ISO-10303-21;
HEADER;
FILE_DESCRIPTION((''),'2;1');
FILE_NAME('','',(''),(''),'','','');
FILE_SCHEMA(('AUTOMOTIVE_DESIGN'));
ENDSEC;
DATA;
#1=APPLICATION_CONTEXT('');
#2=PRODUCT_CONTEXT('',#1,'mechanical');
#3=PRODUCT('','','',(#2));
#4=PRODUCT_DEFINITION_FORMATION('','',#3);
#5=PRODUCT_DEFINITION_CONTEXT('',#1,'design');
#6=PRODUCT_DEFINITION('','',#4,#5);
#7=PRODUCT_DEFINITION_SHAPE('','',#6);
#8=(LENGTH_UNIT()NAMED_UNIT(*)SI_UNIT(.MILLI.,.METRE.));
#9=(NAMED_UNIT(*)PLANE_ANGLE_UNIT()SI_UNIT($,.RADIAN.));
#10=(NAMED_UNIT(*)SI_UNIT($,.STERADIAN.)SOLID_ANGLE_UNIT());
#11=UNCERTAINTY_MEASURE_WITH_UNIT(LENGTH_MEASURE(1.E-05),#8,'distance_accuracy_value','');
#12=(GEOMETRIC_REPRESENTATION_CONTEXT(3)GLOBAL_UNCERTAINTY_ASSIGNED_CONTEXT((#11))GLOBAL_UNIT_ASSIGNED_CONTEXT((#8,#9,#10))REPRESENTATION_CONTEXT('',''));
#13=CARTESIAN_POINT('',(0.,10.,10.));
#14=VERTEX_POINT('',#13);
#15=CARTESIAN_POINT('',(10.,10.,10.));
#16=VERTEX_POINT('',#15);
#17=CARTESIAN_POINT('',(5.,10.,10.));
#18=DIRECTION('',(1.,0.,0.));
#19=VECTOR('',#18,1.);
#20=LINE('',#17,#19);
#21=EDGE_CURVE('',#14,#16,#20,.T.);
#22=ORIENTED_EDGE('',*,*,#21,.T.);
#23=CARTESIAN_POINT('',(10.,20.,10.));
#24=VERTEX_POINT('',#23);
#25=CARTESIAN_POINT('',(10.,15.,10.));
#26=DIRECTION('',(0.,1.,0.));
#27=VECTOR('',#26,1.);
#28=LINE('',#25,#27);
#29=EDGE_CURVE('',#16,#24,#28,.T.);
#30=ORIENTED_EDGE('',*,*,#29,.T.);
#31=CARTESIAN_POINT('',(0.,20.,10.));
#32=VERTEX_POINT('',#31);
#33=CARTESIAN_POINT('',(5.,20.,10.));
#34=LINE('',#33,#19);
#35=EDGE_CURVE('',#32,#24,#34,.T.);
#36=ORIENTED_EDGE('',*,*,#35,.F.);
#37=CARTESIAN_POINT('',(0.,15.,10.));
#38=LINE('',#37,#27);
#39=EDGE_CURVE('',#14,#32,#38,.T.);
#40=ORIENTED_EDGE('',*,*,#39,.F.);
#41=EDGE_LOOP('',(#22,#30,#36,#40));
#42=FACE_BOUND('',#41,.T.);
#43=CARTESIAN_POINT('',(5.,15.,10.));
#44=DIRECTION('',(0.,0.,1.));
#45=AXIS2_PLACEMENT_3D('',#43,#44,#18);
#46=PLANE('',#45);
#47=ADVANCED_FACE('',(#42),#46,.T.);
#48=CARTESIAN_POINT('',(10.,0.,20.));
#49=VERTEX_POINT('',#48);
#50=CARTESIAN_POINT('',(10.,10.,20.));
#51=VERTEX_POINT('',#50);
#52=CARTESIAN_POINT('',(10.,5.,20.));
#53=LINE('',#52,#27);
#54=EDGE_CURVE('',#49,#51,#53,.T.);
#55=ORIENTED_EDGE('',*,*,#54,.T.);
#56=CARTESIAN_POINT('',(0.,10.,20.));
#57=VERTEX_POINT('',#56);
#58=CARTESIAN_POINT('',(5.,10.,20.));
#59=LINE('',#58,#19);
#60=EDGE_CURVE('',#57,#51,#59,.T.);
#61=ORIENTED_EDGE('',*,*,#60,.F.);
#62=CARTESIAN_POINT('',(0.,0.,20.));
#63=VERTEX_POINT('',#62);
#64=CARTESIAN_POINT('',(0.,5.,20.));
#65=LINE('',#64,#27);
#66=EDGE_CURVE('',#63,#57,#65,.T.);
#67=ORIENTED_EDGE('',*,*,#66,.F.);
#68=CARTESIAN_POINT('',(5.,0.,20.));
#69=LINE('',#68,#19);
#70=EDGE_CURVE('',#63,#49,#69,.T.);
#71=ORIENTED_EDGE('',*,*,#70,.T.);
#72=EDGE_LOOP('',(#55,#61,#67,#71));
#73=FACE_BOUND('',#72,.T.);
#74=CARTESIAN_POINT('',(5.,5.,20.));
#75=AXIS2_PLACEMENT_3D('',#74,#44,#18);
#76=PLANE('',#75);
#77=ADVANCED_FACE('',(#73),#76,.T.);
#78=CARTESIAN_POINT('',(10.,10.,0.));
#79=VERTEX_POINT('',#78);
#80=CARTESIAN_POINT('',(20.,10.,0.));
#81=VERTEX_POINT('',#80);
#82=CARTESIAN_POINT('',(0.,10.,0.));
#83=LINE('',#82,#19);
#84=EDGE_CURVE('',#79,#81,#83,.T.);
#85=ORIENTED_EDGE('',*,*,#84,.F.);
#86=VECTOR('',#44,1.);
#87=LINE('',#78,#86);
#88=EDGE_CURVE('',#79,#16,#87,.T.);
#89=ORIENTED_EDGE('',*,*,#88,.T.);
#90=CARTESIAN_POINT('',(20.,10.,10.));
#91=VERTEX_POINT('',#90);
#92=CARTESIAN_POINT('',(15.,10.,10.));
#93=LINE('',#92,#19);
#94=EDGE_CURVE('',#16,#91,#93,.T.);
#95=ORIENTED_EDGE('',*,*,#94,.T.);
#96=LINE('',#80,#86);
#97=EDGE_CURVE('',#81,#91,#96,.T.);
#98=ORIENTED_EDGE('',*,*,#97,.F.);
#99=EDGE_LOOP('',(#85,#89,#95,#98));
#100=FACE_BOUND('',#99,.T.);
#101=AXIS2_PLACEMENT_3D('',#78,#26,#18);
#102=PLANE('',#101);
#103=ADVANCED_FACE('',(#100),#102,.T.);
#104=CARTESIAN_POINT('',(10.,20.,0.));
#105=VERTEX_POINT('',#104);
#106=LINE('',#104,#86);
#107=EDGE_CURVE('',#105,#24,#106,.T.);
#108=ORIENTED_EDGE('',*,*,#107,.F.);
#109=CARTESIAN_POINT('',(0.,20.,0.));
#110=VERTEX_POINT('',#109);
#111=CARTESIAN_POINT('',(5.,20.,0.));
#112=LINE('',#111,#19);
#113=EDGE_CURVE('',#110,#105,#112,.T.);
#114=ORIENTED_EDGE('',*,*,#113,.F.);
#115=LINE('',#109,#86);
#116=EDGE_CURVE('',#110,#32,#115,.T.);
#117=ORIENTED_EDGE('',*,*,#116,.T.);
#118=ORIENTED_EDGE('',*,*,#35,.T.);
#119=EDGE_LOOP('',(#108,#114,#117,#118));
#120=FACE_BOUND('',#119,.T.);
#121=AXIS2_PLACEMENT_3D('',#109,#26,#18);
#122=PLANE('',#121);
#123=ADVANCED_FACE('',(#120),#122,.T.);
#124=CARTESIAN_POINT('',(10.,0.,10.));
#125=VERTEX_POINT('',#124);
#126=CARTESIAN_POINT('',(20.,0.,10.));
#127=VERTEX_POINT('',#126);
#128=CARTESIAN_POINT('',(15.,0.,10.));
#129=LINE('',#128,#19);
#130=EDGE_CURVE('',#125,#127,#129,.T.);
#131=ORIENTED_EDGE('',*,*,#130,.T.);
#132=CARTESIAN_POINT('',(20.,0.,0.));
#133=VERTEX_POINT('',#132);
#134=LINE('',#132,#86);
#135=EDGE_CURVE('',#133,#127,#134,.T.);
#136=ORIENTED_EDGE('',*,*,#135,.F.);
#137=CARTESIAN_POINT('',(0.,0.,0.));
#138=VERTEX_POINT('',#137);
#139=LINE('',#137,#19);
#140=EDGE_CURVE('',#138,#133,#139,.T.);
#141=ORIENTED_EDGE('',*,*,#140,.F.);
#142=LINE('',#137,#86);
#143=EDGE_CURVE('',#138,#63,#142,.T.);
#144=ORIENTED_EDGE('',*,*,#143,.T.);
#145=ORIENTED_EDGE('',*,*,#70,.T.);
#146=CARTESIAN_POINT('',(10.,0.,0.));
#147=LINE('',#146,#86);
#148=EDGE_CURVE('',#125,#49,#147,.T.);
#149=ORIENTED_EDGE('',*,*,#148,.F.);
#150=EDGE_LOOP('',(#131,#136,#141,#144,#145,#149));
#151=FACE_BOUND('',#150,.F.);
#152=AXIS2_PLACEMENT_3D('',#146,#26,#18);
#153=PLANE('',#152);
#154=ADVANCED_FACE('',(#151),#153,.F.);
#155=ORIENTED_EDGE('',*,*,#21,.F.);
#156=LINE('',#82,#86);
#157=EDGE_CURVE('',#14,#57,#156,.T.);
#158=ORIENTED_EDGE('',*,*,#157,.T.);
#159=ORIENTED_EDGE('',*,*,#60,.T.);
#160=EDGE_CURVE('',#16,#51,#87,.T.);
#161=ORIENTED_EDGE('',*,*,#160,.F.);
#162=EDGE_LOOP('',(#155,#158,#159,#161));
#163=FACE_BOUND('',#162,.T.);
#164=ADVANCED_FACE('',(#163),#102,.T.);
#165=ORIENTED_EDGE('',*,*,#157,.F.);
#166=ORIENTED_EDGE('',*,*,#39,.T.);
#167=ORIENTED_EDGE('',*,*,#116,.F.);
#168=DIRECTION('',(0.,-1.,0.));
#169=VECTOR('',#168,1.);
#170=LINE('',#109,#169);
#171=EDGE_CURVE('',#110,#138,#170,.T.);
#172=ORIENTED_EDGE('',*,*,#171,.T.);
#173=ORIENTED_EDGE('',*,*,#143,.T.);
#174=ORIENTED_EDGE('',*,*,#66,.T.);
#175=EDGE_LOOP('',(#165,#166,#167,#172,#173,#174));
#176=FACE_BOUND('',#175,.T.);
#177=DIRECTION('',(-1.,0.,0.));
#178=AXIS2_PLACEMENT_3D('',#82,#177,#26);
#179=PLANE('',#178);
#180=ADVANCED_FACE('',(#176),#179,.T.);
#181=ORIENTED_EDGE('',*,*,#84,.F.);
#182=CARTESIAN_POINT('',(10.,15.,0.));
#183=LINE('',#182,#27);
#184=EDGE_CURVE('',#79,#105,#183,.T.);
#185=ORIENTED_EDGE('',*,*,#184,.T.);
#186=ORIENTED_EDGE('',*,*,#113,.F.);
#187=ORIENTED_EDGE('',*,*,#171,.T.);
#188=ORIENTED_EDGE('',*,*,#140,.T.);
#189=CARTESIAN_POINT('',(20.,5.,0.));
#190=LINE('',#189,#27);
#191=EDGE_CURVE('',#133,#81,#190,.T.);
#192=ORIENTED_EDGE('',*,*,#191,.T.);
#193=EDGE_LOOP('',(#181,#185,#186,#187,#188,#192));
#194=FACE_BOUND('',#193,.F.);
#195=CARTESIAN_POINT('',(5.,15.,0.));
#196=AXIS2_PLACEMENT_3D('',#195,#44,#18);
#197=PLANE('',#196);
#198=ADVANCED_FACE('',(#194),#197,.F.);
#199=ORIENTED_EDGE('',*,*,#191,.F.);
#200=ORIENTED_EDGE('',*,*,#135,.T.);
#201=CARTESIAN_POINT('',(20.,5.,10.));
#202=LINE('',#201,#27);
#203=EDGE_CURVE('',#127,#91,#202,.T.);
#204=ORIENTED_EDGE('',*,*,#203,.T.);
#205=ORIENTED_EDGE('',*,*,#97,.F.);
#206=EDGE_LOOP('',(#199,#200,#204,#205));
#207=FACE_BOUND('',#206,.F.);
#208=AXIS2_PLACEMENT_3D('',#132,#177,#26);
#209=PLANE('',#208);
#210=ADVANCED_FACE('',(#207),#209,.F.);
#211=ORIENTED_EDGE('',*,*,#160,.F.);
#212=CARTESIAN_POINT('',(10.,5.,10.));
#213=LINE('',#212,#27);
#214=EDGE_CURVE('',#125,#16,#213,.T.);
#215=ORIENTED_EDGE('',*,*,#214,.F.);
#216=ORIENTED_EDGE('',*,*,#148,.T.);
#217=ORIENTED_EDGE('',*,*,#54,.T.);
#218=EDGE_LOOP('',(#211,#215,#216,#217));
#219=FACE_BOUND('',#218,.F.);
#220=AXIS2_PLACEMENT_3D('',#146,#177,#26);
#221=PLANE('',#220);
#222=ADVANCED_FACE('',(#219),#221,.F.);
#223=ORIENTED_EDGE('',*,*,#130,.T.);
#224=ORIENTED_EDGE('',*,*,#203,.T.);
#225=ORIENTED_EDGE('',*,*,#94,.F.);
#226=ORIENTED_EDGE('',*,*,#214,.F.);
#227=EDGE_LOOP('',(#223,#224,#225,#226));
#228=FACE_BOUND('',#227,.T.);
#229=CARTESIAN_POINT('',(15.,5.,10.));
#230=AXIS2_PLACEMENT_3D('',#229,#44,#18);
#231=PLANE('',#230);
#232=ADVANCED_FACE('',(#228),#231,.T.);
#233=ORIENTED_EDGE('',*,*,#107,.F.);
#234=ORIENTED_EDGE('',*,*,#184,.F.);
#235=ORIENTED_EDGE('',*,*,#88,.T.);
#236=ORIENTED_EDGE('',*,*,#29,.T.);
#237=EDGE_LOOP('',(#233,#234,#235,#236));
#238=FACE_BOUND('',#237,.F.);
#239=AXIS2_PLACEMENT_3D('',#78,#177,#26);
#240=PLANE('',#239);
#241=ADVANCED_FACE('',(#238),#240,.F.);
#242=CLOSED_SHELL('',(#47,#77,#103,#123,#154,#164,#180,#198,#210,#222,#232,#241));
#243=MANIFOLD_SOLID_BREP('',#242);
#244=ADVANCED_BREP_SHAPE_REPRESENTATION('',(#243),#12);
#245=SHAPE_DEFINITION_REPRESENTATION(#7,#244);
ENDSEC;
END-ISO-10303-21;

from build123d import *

# Parameters (mm, degrees)
BOX001_W     = 10
BOX001_H     = 10
BOX001_DEPTH = 10
BOX002_W     = 10
BOX002_H     = 10
BOX002_DEPTH = 10
BOX_W        = 10
BOX_H        = 10
BOX_DEPTH    = 20


with BuildPart() as cub001:
    # Box001 → Box001 (new body)
    with BuildSketch(Plane(origin=(10, 0, 0), x_dir=(1, 0, 0), z_dir=(0, 0, 1))):
        with Locations((5, 5)):
            Rectangle(BOX001_W, BOX001_H)
    extrude(amount=BOX001_DEPTH)


with BuildPart() as cub002:
    # Box002 → Box002 (new body)
    with BuildSketch(Plane(origin=(0, 10, 0), x_dir=(1, 0, 0), z_dir=(0, 0, 1))):
        with Locations((5, 5)):
            Rectangle(BOX002_W, BOX002_H)
    extrude(amount=BOX002_DEPTH)


with BuildPart() as fusion:
    # Box → Box (new body)
    with BuildSketch(Plane.XY):
        with Locations((5, 5)):
            Rectangle(BOX_W, BOX_H)
    extrude(amount=BOX_DEPTH)

    # Fusion: union Cub001, Cub002
    add(cub001.part)
    add(cub002.part)


solid = fusion.part
